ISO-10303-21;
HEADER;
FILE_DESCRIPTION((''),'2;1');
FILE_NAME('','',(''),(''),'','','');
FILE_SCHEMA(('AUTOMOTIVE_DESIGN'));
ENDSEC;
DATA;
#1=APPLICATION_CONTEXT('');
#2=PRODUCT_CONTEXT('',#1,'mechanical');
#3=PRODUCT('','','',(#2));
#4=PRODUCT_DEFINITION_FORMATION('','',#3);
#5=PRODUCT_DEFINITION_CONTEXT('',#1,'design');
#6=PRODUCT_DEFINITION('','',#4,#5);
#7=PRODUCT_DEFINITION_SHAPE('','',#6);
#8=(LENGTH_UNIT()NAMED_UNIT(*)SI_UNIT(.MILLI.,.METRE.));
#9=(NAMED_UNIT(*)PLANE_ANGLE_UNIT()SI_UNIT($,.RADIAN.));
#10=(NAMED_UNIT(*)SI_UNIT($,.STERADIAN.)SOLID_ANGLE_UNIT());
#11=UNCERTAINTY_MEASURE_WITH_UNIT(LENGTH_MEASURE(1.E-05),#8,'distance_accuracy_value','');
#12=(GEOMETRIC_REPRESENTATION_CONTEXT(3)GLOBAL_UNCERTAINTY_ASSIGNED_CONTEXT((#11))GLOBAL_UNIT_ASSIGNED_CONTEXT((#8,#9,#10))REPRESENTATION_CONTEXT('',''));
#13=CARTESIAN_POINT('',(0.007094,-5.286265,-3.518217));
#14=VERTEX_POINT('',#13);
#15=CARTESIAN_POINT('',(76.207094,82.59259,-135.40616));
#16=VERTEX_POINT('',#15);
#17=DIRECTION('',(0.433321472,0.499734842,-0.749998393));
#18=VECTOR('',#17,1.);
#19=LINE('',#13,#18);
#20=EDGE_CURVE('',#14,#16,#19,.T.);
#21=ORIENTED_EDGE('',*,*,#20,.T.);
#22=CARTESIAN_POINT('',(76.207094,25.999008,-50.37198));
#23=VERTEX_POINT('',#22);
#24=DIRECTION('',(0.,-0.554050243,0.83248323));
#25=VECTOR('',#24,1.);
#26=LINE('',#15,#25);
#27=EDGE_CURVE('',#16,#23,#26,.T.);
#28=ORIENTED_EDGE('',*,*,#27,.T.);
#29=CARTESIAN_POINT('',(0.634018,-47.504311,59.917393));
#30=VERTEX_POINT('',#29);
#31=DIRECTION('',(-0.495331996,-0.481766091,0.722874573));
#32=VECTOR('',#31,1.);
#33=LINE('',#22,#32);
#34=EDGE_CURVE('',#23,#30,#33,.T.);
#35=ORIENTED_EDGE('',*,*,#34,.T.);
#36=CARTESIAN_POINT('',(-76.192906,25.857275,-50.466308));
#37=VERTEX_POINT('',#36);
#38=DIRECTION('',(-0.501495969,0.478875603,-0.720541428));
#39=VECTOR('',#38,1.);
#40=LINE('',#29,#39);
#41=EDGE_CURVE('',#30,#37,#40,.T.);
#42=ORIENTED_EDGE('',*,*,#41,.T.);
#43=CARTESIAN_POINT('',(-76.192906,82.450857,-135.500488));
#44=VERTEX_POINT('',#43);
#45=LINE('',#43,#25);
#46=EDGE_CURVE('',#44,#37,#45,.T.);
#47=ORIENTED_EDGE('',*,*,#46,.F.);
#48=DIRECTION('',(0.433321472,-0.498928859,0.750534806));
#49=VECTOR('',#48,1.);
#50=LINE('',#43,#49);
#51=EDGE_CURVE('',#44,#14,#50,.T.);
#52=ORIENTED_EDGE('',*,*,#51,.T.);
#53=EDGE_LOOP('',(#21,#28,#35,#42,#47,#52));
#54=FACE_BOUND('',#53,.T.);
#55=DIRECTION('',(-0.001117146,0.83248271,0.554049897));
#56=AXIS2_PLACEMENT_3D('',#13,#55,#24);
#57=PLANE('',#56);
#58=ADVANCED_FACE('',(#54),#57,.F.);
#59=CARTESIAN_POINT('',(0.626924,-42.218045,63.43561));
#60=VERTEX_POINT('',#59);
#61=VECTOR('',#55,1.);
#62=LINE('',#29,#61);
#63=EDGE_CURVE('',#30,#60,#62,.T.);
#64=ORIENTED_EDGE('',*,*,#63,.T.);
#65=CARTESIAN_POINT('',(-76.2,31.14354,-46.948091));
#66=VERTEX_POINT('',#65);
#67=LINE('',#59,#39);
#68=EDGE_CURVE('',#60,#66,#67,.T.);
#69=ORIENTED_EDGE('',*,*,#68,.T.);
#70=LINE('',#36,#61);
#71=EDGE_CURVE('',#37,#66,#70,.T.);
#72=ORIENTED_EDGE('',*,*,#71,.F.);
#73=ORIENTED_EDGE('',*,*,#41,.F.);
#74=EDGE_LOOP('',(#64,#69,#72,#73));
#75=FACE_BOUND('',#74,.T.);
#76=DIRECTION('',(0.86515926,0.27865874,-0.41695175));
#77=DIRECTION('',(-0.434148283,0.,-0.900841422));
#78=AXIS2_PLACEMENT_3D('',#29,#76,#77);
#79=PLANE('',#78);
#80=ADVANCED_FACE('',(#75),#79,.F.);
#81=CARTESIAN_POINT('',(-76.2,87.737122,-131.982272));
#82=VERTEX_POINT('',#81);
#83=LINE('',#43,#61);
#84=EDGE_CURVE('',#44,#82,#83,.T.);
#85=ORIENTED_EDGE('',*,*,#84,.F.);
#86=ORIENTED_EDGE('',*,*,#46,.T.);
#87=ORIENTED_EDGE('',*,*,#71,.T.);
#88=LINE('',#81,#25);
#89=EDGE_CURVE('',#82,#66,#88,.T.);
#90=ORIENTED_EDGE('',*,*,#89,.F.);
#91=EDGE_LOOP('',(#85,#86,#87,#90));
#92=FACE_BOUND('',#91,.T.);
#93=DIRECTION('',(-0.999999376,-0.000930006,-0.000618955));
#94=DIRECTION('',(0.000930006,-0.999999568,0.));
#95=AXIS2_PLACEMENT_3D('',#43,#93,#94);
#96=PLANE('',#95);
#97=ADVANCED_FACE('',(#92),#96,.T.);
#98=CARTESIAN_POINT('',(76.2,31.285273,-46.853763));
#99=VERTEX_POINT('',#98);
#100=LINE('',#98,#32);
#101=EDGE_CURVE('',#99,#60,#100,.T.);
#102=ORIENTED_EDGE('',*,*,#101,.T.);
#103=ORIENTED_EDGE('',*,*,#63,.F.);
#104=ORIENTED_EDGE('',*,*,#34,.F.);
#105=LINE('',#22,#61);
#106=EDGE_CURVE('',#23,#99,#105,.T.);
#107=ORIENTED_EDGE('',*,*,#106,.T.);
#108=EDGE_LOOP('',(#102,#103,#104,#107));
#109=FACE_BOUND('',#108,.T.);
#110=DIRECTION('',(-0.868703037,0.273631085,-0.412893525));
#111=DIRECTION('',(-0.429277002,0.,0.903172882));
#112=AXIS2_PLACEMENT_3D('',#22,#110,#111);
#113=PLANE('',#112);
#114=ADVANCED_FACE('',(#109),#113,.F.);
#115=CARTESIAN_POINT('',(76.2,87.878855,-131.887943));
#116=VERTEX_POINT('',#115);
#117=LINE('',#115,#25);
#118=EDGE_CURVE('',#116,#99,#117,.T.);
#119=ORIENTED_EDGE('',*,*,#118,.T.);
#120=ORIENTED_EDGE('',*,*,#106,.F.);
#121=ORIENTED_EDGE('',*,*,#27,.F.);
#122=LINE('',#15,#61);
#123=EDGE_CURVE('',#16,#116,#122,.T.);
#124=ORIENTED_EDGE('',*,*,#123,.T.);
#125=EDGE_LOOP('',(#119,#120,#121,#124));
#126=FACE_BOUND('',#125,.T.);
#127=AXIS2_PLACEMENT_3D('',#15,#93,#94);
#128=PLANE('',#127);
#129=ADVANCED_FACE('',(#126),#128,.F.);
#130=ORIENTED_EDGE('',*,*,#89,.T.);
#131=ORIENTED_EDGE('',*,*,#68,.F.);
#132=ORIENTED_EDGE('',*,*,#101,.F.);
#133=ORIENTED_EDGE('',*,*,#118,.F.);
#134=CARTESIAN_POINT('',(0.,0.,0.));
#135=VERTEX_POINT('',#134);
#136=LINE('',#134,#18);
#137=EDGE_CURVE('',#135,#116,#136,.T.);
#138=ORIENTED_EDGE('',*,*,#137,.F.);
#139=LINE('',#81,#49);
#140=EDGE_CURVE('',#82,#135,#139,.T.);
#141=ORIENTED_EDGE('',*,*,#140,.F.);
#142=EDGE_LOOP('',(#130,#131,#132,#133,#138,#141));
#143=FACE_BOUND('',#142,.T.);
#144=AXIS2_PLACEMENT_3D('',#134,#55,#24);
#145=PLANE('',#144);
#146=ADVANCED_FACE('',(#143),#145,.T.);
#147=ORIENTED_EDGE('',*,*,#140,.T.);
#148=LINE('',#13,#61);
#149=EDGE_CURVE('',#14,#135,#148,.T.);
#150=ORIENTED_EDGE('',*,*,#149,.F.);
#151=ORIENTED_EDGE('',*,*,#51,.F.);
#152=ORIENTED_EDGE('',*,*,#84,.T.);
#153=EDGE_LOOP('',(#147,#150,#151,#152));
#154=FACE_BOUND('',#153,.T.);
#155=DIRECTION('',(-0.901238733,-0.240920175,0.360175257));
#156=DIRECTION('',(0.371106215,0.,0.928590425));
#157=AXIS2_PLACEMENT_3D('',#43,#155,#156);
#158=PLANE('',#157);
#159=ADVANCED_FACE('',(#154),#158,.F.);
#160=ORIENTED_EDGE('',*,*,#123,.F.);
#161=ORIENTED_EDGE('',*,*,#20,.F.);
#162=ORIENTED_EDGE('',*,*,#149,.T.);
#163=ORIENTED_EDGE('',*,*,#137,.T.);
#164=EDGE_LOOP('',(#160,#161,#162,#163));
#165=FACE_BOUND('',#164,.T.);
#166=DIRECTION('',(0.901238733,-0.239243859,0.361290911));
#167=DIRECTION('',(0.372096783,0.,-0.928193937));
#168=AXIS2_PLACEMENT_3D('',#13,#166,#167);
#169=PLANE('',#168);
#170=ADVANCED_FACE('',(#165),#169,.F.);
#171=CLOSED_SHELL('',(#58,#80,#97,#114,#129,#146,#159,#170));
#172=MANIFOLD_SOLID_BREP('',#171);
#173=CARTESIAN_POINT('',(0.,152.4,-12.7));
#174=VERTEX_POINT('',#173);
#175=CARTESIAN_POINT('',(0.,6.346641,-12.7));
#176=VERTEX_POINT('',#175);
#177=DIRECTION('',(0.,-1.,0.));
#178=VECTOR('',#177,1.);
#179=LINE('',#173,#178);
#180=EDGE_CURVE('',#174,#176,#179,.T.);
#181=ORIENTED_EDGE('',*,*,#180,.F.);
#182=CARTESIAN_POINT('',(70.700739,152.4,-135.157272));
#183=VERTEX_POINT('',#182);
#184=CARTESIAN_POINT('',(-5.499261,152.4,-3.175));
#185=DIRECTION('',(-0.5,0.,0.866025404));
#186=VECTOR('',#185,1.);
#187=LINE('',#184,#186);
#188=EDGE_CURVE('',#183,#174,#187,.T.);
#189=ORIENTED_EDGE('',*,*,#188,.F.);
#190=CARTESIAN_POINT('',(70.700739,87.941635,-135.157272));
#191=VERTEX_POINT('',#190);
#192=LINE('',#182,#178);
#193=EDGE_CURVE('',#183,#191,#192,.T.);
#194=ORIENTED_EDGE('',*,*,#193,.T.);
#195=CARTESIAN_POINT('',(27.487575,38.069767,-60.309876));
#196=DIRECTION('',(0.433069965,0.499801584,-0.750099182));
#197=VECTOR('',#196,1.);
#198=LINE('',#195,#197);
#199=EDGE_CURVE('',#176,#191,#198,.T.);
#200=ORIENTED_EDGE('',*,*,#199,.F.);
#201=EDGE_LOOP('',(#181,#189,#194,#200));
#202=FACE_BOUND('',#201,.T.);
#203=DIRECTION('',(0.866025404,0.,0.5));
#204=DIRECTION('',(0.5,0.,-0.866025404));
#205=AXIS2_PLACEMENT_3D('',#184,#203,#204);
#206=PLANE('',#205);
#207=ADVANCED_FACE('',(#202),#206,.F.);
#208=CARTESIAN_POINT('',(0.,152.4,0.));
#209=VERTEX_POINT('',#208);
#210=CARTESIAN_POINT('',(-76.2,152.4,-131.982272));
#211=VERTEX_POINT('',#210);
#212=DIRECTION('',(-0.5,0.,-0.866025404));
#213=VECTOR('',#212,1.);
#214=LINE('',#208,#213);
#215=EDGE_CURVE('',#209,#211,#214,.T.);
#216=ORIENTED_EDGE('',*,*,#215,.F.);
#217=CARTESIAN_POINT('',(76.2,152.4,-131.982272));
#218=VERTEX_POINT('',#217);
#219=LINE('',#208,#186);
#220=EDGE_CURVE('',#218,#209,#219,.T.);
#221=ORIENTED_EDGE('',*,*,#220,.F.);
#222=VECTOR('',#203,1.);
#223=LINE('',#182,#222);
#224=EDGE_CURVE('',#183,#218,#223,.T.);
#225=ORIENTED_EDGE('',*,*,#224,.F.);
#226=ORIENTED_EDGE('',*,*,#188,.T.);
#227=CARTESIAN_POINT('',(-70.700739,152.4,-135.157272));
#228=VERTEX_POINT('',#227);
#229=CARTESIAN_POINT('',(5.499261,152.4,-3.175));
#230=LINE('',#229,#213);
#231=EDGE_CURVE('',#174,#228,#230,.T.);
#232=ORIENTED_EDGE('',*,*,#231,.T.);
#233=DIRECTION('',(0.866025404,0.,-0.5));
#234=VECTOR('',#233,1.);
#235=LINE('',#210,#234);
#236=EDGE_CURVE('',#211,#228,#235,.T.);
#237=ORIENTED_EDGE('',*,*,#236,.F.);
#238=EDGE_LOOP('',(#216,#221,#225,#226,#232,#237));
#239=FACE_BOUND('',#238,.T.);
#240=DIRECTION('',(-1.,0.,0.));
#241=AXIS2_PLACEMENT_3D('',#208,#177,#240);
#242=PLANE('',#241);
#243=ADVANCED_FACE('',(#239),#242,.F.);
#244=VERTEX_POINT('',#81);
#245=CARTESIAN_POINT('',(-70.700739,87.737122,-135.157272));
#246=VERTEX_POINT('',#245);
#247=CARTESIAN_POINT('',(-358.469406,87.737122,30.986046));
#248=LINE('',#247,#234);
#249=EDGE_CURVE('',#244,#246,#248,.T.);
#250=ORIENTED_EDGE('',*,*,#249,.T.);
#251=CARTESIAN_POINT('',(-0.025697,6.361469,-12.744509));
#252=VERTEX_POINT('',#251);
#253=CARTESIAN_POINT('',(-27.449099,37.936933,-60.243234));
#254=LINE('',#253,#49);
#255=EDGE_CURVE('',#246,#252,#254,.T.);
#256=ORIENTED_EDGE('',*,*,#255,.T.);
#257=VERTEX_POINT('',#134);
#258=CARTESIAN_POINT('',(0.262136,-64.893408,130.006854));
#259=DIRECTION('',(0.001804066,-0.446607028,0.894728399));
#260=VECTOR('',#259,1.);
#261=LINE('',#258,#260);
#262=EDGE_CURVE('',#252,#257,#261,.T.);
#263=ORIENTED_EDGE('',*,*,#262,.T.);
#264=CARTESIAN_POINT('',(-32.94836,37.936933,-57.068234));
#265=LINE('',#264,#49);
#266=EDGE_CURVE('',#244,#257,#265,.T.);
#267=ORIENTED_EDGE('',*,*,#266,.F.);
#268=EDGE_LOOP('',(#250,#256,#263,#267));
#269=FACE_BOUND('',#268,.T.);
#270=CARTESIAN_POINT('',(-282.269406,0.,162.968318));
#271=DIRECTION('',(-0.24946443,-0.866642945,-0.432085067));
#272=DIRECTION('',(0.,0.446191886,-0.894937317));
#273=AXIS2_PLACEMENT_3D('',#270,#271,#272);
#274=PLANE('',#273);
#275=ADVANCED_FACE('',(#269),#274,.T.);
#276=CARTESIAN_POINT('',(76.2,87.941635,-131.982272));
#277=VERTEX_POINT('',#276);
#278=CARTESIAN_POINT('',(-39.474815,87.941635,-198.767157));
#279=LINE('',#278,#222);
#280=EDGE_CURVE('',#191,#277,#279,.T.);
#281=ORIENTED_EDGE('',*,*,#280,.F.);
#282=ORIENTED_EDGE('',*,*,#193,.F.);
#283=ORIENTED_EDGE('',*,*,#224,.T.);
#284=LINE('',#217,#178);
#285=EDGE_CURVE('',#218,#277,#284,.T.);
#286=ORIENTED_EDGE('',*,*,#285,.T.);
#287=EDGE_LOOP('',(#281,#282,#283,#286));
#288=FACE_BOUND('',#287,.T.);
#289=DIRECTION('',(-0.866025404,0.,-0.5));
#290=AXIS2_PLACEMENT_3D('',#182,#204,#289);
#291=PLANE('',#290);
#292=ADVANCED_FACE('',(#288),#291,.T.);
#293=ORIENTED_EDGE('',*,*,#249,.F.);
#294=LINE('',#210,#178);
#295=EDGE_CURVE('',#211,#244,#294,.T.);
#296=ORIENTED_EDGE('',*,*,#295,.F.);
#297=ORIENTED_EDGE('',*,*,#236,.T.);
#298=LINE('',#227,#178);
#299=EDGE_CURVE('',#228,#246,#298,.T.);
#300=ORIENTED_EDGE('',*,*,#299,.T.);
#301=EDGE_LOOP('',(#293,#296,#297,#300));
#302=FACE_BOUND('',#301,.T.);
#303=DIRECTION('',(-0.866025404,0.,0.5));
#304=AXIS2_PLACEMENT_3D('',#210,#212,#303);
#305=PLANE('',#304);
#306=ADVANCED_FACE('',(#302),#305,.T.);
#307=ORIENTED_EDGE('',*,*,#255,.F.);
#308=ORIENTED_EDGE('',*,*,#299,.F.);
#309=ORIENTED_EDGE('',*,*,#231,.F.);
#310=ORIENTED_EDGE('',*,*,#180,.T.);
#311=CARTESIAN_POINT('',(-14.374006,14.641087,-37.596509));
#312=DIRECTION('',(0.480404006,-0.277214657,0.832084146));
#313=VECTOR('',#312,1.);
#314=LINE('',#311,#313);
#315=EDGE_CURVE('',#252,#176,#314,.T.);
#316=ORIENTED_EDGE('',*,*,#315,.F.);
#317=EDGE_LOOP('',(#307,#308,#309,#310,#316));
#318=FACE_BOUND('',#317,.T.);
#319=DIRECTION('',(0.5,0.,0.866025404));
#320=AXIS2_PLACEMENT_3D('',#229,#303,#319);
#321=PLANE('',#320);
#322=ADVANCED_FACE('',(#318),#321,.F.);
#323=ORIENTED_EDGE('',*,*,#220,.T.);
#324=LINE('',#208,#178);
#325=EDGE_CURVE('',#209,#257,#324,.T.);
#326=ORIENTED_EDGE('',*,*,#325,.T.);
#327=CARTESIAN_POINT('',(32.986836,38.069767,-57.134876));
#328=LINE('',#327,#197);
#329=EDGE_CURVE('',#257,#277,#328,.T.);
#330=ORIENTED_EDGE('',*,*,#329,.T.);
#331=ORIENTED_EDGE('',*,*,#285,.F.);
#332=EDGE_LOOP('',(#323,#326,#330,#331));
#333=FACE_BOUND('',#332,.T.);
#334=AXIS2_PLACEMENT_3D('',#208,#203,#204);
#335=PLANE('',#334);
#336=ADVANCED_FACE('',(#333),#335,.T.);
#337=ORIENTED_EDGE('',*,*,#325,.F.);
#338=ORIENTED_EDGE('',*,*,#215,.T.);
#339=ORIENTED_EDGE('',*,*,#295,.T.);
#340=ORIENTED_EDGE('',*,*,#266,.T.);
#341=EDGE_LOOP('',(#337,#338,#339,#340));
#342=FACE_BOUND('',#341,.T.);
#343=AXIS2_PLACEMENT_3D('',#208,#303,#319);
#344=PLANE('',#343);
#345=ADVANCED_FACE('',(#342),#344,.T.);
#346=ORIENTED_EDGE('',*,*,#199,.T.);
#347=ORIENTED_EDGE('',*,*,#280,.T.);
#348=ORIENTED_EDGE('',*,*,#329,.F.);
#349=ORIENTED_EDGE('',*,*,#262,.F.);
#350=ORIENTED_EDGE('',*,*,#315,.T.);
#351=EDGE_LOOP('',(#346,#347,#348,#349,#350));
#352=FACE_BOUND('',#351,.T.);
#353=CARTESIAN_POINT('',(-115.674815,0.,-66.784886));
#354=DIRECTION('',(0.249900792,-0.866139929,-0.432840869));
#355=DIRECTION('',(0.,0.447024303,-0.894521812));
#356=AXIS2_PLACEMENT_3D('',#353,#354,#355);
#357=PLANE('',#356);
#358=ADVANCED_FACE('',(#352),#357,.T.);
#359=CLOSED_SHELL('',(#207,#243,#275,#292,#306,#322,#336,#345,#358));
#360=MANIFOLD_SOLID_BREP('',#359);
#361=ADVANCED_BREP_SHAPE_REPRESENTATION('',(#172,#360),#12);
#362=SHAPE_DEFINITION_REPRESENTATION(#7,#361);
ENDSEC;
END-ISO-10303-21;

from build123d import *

# Parameters (mm, degrees)
EXTRUDE_THIN1_DEPTH     = 152.4
CUT_EXTRUDE1_DEPTH      = 218.484914533
CUT_EXTRUDE1_DEPTH_BACK = 218.484914533
CUT_EXTRUDE3_DEPTH      = 218.484914533
CUT_EXTRUDE3_DEPTH_BACK = 218.484914533
BOSS_EXTRUDE1_DEPTH     = 6.35


with BuildPart() as part:
    # Sketch1 → Extrude-Thin1 (new body)
    with BuildSketch(Plane(origin=(0, 0, 0), x_dir=(1, 0, 0), z_dir=(0, 1, 0))):
        Polygon((-76.2, 131.982271537), (0, 0), (76.2, 131.982271537), (70.700738686, 135.157271537), (0, 12.7), (-70.700738686, 135.157271537), align=None)
    extrude(amount=EXTRUDE_THIN1_DEPTH)

    # Sketch3 → Cut-Extrude1 (cut, two sides: drawn at the far end of the back side and taken through both)
    with BuildSketch(Plane(origin=(0, 0, 0), x_dir=(0.5000000000000046, 0, 0.8660254037844362), z_dir=(-0.8660254037844362, 0, 0.5000000000000046)).offset(-CUT_EXTRUDE1_DEPTH_BACK)):
        Polygon((385.619920401, -222.002507612), (0, 0), (-152.4, 87.73712241), (-538.019920401, 309.739630022), (-982.024935624, -461.500210779), (-58.385094823, -993.242348413), align=None)
    extrude(amount=CUT_EXTRUDE1_DEPTH + CUT_EXTRUDE1_DEPTH_BACK, mode=Mode.SUBTRACT)

    # Sketch2 → Cut-Extrude3 (cut, two sides: drawn at the far end of the back side and taken through both)
    with BuildSketch(Plane(origin=(0, 0, 0), x_dir=(0.49999999999999806, 0, -0.8660254037844397), z_dir=(0.8660254037844397, 0, 0.49999999999999806)).offset(-CUT_EXTRUDE3_DEPTH_BACK)):
        Polygon((152.4, 87.941634884), (0, 0), (152.4, 0), align=None)
    extrude(amount=CUT_EXTRUDE3_DEPTH + CUT_EXTRUDE3_DEPTH_BACK, mode=Mode.SUBTRACT)


with BuildPart() as body_2:
    # Sketch6 → Boss-Extrude1 (new body)
    with BuildSketch(Plane(origin=(0, 0, 0), x_dir=(-0.9999993759918608, -0.0009300055725387003, -0.0006189551875342996), z_dir=(0.0011171463150047337, -0.8324827103813286, -0.5540498974824092))):
        Polygon((-0.626924241, -76.2), (76.200047549, 56.338584839), (76.200047549, 158.483801703), (0, 0), (-76.200047549, 158.483801703), (-76.200047549, 56.338584839), align=None)
    extrude(amount=BOSS_EXTRUDE1_DEPTH)


solid = Compound([part.part, body_2.part])
